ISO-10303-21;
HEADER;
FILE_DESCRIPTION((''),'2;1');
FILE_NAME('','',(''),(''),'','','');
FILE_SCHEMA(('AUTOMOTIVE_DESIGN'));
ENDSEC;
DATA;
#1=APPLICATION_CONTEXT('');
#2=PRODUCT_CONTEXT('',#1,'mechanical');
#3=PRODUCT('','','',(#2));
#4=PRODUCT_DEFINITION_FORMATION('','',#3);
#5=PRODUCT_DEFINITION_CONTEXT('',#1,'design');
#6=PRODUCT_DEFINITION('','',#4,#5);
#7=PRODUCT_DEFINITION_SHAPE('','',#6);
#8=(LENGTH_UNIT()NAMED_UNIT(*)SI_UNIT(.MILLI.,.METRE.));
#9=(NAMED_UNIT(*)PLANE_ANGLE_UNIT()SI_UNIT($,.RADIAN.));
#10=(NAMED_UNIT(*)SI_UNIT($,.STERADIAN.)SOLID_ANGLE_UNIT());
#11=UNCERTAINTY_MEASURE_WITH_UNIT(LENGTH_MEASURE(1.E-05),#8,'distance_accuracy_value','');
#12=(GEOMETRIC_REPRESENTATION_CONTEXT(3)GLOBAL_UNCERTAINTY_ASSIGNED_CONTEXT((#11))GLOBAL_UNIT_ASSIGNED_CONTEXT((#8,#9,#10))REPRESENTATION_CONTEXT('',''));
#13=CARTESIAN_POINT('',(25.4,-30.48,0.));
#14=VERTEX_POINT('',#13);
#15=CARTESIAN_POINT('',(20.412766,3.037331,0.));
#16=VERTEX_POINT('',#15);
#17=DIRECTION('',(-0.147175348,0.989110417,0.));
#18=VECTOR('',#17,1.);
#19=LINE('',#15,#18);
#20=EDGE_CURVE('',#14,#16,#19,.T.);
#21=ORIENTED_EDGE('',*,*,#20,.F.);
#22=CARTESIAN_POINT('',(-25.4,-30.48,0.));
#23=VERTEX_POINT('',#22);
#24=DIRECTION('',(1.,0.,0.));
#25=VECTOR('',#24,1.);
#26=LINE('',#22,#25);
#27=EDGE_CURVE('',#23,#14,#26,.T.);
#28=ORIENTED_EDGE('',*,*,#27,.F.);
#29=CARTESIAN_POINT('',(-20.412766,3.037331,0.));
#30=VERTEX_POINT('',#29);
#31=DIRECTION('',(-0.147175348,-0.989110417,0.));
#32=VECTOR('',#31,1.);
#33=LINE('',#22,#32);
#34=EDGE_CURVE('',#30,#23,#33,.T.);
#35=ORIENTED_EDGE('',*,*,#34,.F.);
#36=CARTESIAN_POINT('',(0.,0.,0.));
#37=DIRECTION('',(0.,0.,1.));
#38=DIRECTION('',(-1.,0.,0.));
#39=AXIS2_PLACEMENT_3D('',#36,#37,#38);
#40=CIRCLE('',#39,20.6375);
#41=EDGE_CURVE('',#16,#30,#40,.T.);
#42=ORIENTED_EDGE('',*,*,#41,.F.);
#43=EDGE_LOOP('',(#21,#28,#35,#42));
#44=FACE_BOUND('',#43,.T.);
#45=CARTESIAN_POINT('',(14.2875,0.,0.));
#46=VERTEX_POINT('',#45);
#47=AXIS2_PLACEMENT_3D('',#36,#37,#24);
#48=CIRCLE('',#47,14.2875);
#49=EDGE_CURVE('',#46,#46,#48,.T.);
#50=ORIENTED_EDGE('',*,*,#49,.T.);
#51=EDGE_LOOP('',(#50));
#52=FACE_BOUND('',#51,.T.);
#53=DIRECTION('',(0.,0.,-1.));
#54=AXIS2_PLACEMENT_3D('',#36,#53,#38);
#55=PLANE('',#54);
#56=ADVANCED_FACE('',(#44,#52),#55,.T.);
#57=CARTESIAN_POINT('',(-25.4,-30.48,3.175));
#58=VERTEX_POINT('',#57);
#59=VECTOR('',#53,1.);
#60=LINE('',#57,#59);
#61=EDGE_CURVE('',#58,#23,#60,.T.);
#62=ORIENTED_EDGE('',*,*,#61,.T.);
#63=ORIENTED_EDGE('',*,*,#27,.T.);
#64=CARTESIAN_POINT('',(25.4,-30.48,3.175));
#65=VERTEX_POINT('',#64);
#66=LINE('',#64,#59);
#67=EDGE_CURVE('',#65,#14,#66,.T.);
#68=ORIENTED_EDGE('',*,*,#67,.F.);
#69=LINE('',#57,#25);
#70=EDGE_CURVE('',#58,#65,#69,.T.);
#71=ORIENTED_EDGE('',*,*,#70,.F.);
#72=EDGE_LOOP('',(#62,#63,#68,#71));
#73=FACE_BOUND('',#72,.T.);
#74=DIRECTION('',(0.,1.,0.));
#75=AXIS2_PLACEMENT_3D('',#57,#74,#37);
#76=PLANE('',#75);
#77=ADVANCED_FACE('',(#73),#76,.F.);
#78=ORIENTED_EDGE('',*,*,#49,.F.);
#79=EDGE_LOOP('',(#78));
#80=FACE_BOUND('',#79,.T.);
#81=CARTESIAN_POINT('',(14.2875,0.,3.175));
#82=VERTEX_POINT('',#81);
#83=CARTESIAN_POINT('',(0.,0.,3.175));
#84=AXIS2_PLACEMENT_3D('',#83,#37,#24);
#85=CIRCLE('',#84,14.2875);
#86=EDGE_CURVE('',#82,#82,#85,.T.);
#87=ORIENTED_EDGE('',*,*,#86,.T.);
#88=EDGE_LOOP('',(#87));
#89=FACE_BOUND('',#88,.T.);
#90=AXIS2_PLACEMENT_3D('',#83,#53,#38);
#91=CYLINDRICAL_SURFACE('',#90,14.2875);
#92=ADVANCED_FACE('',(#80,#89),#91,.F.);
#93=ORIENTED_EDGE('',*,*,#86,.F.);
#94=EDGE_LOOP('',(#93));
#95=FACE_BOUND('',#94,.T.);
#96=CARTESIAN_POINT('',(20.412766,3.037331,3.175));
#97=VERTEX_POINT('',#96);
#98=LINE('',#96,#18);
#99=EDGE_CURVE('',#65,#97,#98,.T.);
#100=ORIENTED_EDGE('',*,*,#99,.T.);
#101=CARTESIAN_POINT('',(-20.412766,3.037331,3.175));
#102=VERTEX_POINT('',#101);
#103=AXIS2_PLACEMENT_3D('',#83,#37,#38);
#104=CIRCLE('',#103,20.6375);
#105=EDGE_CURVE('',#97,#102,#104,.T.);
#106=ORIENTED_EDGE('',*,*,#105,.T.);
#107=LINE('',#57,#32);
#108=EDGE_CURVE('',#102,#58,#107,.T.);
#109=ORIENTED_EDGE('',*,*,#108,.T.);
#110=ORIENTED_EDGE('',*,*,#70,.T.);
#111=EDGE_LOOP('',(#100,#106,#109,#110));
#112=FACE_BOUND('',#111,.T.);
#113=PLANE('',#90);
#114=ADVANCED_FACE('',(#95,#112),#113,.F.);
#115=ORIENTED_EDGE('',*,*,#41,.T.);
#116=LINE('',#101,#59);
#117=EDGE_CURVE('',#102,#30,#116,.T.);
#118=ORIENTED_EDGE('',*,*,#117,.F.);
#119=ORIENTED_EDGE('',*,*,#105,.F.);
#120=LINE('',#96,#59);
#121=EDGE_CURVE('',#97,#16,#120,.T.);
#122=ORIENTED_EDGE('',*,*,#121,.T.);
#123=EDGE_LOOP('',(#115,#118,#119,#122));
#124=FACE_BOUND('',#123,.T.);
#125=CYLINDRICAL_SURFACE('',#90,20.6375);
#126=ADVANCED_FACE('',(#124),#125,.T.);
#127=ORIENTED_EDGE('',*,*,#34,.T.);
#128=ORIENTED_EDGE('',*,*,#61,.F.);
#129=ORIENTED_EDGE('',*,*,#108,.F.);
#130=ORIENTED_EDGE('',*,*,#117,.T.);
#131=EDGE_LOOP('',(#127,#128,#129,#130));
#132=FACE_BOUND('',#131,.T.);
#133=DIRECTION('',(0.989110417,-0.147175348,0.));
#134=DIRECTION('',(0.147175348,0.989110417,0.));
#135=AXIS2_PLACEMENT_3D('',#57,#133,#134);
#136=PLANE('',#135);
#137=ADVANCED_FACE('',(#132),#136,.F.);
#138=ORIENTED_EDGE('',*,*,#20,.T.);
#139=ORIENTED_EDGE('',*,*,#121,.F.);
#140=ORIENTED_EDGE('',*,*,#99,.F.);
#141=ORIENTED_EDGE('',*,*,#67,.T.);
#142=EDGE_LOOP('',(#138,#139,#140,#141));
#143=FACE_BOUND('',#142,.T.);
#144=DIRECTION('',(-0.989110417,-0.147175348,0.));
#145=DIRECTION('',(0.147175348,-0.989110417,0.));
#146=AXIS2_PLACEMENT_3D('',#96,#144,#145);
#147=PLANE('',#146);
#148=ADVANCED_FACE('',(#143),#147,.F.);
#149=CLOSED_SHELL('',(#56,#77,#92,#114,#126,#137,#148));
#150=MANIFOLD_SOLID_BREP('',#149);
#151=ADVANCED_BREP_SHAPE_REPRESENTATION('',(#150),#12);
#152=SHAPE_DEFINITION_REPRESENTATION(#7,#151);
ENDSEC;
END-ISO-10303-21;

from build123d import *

# Parameters (mm, degrees)
SKETCH1_R           = 14.2875
BOSS_EXTRUDE1_DEPTH = 3.175


with BuildPart() as part:
    # Sketch1 → Boss-Extrude1 (new body)
    with BuildSketch(Plane.XY):
        with BuildLine():
            Line((-25.4, -30.48), (25.4, -30.48))
            Line((25.4, -30.48), (20.412766231, 3.037331235))
            ThreePointArc((20.412766231, 3.037331235), (0, 20.6375), (-20.412766231, 3.037331235))
            Line((-20.412766231, 3.037331235), (-25.4, -30.48))
        make_face()
        Circle(SKETCH1_R, mode=Mode.SUBTRACT)
    extrude(amount=BOSS_EXTRUDE1_DEPTH)


solid = part.part
